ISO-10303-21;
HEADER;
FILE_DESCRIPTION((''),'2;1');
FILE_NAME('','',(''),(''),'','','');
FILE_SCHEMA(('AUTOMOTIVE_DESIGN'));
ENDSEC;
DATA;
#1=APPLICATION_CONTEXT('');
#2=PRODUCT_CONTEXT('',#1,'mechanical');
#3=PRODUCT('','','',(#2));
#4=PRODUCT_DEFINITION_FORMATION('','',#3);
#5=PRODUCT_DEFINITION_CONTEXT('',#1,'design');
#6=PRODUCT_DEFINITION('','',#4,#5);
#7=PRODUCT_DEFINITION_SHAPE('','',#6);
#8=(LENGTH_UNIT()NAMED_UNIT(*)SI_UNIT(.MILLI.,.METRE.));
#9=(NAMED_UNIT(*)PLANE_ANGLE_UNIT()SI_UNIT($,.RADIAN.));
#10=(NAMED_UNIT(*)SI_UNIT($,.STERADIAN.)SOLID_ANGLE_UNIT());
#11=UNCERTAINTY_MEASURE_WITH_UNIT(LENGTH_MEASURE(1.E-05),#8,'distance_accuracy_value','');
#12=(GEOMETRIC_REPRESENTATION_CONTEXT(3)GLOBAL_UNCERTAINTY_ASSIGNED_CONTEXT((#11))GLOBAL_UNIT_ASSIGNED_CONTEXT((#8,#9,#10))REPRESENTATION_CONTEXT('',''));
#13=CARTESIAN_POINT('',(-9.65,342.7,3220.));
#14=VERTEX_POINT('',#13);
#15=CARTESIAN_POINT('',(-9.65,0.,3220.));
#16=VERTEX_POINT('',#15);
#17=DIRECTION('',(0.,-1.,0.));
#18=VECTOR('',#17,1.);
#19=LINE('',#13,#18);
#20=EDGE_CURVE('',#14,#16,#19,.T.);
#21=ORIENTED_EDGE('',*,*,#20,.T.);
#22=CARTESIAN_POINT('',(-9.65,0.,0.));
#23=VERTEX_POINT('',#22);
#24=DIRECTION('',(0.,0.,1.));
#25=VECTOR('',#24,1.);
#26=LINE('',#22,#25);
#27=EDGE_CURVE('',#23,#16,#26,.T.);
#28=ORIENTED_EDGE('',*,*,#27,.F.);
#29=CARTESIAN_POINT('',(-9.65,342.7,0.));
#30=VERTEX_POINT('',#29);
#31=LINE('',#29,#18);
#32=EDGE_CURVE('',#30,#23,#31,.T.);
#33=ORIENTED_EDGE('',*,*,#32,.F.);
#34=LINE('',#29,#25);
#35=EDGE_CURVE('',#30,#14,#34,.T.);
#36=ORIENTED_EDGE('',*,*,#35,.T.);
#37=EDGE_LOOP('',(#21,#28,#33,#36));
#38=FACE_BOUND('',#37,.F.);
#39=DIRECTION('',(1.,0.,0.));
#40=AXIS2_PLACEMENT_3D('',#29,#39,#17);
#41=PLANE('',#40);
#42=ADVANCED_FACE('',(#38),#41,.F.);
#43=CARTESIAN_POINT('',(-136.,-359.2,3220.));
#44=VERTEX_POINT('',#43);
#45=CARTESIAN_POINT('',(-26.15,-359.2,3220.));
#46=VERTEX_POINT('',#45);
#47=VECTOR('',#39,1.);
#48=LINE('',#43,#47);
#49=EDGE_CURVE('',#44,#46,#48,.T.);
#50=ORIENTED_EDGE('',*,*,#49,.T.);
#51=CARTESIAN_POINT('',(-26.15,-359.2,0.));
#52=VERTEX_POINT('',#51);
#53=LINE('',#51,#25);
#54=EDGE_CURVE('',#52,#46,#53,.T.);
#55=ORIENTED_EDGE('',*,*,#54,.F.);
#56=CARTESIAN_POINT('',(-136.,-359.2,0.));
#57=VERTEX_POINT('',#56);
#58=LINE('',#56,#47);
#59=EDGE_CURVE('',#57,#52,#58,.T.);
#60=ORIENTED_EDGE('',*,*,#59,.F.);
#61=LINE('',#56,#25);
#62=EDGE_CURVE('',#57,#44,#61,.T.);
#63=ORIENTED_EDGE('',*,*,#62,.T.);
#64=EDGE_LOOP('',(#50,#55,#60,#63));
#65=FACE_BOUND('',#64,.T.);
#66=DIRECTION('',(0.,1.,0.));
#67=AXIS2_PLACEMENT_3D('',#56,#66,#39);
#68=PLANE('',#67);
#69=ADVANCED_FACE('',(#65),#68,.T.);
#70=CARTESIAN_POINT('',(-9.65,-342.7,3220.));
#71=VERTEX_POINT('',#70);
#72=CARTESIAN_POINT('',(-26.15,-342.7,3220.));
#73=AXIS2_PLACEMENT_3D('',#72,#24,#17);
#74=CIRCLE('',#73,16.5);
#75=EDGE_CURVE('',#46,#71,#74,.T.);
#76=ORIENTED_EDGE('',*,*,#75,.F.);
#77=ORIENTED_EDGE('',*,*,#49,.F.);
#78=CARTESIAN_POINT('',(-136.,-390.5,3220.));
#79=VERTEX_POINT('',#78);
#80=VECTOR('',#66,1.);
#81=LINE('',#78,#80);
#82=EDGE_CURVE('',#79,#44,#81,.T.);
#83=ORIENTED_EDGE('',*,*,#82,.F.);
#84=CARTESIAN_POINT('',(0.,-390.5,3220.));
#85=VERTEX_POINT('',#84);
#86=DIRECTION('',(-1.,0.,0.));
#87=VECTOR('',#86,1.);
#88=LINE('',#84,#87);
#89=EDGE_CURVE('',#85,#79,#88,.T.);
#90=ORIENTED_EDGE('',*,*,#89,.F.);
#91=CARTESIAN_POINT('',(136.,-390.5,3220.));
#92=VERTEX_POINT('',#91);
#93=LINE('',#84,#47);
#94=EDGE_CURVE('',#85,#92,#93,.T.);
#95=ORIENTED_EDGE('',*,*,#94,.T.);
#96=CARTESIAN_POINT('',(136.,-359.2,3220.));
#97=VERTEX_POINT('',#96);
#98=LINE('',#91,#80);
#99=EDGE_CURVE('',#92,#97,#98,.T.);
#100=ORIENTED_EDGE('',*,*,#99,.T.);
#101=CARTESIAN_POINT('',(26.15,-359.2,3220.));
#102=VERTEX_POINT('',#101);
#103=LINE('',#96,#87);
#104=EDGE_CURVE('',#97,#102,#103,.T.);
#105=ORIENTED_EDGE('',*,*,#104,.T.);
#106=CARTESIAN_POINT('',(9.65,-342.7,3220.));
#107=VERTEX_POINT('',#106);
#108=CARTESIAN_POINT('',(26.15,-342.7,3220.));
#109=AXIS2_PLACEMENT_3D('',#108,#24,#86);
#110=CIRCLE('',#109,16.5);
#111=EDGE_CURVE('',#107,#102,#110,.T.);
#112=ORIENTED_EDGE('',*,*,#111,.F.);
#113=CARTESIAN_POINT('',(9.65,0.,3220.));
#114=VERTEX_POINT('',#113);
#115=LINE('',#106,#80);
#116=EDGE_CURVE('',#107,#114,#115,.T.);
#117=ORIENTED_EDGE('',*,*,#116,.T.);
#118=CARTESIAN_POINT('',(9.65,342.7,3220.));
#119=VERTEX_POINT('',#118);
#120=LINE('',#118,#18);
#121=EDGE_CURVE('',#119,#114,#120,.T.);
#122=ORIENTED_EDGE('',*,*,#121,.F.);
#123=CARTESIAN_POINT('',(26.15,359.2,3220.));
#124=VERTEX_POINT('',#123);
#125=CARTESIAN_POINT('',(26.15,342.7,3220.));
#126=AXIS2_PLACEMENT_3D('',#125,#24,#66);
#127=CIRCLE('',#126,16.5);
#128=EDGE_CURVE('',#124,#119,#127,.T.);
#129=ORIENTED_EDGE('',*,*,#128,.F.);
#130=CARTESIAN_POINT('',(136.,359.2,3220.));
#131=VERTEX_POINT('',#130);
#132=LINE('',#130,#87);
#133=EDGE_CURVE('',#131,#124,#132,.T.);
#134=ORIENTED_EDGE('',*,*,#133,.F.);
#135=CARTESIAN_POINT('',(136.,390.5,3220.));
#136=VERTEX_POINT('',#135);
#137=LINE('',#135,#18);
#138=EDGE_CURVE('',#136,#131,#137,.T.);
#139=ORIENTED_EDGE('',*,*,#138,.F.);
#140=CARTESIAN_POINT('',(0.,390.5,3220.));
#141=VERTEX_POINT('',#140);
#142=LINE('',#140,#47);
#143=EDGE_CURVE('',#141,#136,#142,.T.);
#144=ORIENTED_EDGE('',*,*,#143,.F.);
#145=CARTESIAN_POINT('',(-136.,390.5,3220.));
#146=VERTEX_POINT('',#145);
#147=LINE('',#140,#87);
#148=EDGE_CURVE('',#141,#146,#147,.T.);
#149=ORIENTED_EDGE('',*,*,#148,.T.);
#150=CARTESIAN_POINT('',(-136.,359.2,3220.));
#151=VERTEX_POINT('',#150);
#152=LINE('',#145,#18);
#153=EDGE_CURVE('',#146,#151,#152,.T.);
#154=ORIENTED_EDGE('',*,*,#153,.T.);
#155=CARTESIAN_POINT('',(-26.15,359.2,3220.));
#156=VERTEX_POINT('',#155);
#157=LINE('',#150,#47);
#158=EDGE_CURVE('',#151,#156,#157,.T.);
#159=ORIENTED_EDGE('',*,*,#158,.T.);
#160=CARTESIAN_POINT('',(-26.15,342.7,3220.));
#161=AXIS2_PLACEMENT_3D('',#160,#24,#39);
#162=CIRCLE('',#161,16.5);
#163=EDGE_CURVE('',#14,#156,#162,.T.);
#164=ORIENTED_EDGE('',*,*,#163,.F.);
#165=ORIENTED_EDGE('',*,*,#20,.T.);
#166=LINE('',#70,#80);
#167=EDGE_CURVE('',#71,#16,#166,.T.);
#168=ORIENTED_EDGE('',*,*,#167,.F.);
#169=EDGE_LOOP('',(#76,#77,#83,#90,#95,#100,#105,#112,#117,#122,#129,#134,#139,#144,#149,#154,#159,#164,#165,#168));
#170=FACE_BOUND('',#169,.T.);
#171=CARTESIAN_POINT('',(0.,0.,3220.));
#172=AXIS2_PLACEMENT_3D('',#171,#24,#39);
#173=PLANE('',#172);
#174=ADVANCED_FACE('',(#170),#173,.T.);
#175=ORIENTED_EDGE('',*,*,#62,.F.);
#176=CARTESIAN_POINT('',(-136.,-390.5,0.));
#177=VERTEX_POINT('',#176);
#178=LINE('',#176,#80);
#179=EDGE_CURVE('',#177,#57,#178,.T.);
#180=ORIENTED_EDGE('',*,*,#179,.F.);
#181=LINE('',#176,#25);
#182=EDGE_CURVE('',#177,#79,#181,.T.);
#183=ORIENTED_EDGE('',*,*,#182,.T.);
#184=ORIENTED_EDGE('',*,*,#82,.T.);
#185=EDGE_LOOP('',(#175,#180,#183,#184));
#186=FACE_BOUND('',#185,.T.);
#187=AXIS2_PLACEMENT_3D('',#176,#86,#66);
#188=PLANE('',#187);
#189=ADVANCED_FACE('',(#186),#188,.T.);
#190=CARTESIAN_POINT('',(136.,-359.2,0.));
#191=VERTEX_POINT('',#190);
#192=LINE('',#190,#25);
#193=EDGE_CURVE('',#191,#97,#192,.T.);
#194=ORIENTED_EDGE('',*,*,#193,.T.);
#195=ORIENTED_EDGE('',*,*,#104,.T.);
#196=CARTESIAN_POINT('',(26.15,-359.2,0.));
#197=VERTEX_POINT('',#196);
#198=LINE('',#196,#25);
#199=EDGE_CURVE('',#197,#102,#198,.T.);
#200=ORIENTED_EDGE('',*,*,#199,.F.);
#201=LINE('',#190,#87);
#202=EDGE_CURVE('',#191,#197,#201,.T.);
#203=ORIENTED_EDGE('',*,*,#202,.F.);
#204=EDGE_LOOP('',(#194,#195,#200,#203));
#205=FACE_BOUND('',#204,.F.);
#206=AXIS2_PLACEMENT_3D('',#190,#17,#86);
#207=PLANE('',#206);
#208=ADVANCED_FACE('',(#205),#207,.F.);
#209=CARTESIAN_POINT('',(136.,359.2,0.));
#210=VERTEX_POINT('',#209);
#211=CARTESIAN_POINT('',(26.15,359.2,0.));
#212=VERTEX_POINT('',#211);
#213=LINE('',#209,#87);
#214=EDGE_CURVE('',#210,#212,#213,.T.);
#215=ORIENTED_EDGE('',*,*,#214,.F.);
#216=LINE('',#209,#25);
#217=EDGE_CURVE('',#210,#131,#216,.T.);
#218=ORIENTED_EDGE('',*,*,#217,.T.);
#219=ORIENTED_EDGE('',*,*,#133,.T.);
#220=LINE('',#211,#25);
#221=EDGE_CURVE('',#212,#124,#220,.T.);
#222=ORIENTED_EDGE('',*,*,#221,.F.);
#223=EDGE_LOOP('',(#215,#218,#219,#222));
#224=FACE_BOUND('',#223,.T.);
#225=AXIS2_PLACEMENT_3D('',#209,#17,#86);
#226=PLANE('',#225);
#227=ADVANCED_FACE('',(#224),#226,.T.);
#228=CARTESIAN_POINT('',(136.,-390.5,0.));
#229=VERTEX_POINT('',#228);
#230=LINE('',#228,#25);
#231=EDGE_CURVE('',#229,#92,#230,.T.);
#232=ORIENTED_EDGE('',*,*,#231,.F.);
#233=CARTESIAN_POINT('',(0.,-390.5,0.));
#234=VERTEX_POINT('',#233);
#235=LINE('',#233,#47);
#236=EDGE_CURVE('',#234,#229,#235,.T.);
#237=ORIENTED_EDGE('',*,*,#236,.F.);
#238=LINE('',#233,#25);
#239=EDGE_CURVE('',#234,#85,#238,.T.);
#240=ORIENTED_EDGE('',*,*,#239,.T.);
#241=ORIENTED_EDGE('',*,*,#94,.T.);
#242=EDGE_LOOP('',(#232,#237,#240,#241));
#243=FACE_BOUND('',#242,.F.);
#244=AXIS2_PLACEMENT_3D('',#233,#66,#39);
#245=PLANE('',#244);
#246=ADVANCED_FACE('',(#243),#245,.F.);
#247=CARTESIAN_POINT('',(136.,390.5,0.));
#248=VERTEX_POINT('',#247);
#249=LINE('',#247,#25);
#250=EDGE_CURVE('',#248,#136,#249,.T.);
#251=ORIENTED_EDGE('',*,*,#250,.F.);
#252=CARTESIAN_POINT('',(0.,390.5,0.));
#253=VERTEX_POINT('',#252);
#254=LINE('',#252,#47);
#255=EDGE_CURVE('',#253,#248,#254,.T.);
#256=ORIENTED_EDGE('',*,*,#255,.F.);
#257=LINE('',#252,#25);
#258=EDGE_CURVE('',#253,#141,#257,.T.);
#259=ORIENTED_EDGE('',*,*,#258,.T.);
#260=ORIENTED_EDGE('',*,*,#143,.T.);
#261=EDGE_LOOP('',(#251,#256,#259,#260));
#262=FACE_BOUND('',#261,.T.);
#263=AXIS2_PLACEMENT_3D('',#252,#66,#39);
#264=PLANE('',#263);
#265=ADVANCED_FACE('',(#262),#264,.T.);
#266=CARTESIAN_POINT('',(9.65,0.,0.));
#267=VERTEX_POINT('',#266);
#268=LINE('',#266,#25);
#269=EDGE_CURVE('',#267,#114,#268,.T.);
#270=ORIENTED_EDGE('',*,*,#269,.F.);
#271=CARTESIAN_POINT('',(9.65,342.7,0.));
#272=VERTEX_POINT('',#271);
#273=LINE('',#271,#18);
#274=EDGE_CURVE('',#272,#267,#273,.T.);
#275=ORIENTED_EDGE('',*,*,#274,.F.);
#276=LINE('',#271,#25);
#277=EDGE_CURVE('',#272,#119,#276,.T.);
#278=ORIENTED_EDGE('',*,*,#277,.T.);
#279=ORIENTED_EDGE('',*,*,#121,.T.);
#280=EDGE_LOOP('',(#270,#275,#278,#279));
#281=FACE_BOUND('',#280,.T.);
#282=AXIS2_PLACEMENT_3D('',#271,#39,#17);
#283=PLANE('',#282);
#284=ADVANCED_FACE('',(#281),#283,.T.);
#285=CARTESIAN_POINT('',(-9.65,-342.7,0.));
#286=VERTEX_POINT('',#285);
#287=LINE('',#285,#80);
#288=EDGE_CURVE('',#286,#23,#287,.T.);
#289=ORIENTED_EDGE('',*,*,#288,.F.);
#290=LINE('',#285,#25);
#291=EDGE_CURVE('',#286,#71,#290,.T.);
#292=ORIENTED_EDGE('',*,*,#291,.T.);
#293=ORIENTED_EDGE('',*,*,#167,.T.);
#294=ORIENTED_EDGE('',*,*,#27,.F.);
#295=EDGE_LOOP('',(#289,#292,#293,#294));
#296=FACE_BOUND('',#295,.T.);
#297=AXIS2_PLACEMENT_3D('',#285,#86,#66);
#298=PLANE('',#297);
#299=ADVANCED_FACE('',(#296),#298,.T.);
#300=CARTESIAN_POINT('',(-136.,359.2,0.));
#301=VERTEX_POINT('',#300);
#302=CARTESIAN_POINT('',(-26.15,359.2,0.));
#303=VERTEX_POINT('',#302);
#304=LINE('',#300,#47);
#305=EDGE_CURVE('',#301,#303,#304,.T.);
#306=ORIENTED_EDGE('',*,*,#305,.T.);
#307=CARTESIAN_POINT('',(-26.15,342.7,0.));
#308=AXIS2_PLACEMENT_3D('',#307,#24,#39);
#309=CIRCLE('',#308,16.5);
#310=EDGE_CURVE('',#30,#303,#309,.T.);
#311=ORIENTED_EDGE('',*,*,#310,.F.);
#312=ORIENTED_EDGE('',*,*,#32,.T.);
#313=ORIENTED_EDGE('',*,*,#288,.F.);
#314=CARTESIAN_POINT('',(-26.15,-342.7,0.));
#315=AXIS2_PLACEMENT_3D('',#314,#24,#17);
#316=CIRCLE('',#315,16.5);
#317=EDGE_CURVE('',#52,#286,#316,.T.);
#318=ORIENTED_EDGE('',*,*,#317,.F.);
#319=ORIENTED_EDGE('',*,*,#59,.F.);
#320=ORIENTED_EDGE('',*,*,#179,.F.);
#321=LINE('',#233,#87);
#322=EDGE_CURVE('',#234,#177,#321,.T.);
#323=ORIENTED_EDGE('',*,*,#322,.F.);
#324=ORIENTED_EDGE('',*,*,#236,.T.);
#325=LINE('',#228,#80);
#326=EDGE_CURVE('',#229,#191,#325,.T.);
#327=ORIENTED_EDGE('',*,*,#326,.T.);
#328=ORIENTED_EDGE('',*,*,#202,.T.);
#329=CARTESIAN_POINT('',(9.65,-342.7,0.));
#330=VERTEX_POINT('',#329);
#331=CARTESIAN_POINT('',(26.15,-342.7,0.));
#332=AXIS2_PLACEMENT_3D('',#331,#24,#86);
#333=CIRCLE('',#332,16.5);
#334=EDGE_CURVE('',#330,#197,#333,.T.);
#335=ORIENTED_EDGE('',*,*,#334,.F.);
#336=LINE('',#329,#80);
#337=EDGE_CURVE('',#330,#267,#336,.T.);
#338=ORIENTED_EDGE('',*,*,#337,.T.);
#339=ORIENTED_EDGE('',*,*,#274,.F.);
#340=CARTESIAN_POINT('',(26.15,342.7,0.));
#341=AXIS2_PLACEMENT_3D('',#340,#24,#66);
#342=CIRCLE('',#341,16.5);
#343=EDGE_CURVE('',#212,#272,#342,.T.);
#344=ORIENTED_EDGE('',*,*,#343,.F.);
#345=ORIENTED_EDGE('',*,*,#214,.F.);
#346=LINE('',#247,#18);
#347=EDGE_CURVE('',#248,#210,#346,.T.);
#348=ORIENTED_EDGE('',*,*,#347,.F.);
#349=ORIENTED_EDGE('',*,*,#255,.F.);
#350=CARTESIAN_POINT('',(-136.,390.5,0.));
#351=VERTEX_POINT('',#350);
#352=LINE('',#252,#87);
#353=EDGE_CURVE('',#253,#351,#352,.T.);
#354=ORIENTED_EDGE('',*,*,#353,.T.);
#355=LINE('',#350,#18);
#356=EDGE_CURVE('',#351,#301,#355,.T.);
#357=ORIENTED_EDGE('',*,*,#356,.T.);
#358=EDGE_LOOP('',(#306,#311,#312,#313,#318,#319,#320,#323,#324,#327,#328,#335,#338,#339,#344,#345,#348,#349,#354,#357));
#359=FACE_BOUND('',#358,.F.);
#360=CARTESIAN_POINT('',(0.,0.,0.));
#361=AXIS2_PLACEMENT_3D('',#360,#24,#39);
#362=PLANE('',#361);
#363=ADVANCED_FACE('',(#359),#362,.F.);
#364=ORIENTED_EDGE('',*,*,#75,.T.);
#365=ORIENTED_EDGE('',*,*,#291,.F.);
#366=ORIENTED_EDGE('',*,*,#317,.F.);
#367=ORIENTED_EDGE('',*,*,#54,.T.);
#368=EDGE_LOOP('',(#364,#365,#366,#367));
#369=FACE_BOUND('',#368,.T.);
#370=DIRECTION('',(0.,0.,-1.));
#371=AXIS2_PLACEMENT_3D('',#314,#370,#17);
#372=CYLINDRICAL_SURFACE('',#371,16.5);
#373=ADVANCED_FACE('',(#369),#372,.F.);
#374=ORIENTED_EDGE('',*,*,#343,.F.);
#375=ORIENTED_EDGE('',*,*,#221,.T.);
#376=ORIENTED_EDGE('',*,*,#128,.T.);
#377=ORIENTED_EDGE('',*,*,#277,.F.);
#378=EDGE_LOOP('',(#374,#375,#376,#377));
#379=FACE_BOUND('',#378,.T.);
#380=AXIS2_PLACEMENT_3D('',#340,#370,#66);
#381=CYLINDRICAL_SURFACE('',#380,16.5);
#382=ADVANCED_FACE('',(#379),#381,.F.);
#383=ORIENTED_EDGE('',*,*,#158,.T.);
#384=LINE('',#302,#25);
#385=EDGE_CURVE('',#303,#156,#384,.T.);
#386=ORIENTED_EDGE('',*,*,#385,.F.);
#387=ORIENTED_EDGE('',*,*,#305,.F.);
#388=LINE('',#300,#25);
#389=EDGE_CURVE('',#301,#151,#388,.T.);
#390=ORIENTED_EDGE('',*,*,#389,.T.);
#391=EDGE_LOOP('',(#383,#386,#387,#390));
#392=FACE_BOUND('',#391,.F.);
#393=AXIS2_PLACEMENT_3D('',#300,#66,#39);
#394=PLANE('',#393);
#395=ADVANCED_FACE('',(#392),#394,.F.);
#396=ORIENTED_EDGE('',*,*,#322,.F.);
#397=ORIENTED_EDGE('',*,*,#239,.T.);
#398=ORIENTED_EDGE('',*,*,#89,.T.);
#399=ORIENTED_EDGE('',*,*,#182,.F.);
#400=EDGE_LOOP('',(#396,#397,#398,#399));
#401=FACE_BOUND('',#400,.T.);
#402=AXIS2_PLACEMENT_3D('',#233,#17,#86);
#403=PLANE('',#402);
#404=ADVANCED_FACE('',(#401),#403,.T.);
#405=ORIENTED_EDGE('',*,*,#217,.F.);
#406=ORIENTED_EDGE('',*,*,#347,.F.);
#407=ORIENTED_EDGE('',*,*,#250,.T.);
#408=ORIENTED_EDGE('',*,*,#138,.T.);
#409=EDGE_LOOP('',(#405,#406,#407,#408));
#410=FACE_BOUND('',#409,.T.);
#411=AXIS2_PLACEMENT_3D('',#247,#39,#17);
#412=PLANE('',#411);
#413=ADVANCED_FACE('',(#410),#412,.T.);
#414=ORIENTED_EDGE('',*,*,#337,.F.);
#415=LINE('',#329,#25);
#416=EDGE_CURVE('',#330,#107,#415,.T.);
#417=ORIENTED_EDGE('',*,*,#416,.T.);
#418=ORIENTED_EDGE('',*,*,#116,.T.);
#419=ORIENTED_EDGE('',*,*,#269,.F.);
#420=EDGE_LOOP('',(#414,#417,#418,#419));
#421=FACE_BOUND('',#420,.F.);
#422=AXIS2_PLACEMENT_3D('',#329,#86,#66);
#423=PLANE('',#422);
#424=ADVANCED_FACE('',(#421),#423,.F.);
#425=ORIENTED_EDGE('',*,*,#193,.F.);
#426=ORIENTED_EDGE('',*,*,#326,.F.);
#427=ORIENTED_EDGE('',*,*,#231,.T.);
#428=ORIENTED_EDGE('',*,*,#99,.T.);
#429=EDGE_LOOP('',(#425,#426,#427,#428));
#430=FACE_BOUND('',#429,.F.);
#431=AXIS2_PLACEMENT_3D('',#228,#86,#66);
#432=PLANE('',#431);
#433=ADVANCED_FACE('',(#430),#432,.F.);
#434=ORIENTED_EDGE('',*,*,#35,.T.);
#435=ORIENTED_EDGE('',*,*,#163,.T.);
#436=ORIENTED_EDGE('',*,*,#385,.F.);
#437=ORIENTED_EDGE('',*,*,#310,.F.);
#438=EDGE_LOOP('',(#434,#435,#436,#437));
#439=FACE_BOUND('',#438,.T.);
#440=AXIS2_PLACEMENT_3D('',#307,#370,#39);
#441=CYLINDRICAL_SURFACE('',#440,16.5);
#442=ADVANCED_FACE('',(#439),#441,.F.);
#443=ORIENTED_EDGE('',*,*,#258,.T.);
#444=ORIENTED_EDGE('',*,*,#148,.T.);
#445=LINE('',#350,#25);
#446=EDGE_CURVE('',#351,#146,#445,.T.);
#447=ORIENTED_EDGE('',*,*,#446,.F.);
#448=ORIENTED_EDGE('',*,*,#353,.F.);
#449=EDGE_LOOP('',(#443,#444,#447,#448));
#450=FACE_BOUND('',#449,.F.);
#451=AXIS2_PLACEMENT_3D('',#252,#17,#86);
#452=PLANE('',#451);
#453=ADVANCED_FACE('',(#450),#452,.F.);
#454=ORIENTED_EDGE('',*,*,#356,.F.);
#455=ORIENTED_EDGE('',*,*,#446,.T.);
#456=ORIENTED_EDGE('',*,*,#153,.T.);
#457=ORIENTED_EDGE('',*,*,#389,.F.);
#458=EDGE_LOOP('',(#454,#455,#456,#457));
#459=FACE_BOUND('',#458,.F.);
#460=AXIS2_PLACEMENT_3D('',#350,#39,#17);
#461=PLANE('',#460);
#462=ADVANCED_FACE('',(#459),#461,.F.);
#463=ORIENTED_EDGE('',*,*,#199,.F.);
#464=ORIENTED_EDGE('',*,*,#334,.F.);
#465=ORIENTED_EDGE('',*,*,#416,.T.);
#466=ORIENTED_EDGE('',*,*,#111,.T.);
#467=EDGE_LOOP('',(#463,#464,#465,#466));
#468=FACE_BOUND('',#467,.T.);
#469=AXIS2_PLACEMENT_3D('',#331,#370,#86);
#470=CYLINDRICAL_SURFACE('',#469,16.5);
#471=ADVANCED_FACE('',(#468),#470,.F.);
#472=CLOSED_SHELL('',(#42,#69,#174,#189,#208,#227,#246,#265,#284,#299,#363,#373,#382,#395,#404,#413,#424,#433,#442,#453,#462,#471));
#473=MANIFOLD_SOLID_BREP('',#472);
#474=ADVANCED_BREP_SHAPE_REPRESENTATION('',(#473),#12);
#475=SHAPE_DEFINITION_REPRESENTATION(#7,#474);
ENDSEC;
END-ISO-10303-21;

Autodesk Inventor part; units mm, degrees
ref_plane "YZ Plane" through (0, 0, 0) normal (1, 0, 0) x (0, 1, 0)
ref_plane "Start plane" through (0, 0, 0) normal (0, 0, 1) x (1, 0, 0)
ref_plane "End plane" through (0, 0, 3220) normal (0, 0, 1) x (1, 0, 0)
sketch "Sketch" plane through (0, 0, 0) normal (0, 0, 1) x (1, 0, 0)
  line L0 (-136, -390.5) -> (-136, -359.2)
  line L1 (-136, -359.2) -> (-26.15, -359.2)
  line L2 (-9.65, -342.7) -> (-9.65, 0)
  line L3 (-9.65, 0) -> (0, 0) construction
  line L4 (0, 0) -> (0, -390.5) construction
  line L5 (0, -390.5) -> (-136, -390.5)
  line L6 (-60, 0) -> (80, 0) construction
  line L7 (0, -60) -> (0, 80) construction
  line L8 (136, -390.5) -> (136, -359.2)
  line L9 (136, -359.2) -> (26.15, -359.2)
  line L10 (9.65, -342.7) -> (9.65, 0)
  line L11 (9.65, 0) -> (0, 0) construction
  line L12 (0, -390.5) -> (136, -390.5)
  line L13 (-136, 390.5) -> (-136, 359.2)
  line L14 (-136, 359.2) -> (-26.15, 359.2)
  line L15 (-9.65, 342.7) -> (-9.65, 0)
  line L16 (0, 390.5) -> (-136, 390.5)
  line L17 (136, 390.5) -> (136, 359.2)
  line L18 (136, 359.2) -> (26.15, 359.2)
  line L19 (0, 390.5) -> (136, 390.5)
  line L20 (9.65, 342.7) -> (9.65, 0)
  arc A0 (-9.65, 342.7) -> (-26.15, 359.2) centre (-26.15, 342.7) ccw
  arc A1 (26.15, 359.2) -> (9.65, 342.7) centre (26.15, 342.7) ccw
  arc A2 (9.65, -342.7) -> (26.15, -359.2) centre (26.15, -342.7) ccw
  arc A3 (-26.15, -359.2) -> (-9.65, -342.7) centre (-26.15, -342.7) ccw
  line L21 (0, 108) -> (0, -88) construction
  line L22 (-88, 0) -> (108, 0) construction
  point P0 (-9.65, -359.2)
  point P1 (9.65, -359.2)
  point P2 (-9.65, 359.2)
  point P3 (9.65, 359.2)
  dimension "d1" = 390.5
  dimension "d2" = 31.3
  dimension "d3" = 136
  dimension "d4" = 9.65
  dimension "d10" = 16.5
extrude "Body" add sketch "Sketch" along normal up to surface (3220 mm away) from surface at 0
sketch "Sketch4" plane through (0, 0, 0) normal (0, 0, 1) x (1, 0, 0)
  line L0 (0, 0) -> (10, 0)
ref_plane "Work Plane3" through (0, 0, 0) normal (0, -1, 0) x (1, 0, 0)
sketch "Sketch5" plane through (0, 0, 0) normal (0, -1, 0) x (1, 0, 0)
  line L0 (-2, 0) -> (12, 0) projected
  line L1 (-2, 3220) -> (12, 3220) projected
  dimension "d14" = 3220
equation "\"d1\" = 0.5 * G_H"
equation "\"d2\" = G_T1"
equation "\"d3\" = 0.5 * G_W"
equation "\"d4\" = 0.5 * G_T"
equation "\"d10\" = G_IR"
equation "\"d5\" = G_L"
equation "\"G_W\" = 272"
equation "\"G_H\" = 781"
equation "\"G_T\" = 19.3"
equation "\"G_T1\" = 31.3"
equation "\"G_IR\" = 16.5"
equation "\"G_L\" = d14"
equation "\"G_OFFSET_START\" = 0"
equation "\"G_OFFSET_END\" = 0"
properties part number "AS 3679-1990 - 760 UB - 244 - 3220" material "Steel, Mild"
